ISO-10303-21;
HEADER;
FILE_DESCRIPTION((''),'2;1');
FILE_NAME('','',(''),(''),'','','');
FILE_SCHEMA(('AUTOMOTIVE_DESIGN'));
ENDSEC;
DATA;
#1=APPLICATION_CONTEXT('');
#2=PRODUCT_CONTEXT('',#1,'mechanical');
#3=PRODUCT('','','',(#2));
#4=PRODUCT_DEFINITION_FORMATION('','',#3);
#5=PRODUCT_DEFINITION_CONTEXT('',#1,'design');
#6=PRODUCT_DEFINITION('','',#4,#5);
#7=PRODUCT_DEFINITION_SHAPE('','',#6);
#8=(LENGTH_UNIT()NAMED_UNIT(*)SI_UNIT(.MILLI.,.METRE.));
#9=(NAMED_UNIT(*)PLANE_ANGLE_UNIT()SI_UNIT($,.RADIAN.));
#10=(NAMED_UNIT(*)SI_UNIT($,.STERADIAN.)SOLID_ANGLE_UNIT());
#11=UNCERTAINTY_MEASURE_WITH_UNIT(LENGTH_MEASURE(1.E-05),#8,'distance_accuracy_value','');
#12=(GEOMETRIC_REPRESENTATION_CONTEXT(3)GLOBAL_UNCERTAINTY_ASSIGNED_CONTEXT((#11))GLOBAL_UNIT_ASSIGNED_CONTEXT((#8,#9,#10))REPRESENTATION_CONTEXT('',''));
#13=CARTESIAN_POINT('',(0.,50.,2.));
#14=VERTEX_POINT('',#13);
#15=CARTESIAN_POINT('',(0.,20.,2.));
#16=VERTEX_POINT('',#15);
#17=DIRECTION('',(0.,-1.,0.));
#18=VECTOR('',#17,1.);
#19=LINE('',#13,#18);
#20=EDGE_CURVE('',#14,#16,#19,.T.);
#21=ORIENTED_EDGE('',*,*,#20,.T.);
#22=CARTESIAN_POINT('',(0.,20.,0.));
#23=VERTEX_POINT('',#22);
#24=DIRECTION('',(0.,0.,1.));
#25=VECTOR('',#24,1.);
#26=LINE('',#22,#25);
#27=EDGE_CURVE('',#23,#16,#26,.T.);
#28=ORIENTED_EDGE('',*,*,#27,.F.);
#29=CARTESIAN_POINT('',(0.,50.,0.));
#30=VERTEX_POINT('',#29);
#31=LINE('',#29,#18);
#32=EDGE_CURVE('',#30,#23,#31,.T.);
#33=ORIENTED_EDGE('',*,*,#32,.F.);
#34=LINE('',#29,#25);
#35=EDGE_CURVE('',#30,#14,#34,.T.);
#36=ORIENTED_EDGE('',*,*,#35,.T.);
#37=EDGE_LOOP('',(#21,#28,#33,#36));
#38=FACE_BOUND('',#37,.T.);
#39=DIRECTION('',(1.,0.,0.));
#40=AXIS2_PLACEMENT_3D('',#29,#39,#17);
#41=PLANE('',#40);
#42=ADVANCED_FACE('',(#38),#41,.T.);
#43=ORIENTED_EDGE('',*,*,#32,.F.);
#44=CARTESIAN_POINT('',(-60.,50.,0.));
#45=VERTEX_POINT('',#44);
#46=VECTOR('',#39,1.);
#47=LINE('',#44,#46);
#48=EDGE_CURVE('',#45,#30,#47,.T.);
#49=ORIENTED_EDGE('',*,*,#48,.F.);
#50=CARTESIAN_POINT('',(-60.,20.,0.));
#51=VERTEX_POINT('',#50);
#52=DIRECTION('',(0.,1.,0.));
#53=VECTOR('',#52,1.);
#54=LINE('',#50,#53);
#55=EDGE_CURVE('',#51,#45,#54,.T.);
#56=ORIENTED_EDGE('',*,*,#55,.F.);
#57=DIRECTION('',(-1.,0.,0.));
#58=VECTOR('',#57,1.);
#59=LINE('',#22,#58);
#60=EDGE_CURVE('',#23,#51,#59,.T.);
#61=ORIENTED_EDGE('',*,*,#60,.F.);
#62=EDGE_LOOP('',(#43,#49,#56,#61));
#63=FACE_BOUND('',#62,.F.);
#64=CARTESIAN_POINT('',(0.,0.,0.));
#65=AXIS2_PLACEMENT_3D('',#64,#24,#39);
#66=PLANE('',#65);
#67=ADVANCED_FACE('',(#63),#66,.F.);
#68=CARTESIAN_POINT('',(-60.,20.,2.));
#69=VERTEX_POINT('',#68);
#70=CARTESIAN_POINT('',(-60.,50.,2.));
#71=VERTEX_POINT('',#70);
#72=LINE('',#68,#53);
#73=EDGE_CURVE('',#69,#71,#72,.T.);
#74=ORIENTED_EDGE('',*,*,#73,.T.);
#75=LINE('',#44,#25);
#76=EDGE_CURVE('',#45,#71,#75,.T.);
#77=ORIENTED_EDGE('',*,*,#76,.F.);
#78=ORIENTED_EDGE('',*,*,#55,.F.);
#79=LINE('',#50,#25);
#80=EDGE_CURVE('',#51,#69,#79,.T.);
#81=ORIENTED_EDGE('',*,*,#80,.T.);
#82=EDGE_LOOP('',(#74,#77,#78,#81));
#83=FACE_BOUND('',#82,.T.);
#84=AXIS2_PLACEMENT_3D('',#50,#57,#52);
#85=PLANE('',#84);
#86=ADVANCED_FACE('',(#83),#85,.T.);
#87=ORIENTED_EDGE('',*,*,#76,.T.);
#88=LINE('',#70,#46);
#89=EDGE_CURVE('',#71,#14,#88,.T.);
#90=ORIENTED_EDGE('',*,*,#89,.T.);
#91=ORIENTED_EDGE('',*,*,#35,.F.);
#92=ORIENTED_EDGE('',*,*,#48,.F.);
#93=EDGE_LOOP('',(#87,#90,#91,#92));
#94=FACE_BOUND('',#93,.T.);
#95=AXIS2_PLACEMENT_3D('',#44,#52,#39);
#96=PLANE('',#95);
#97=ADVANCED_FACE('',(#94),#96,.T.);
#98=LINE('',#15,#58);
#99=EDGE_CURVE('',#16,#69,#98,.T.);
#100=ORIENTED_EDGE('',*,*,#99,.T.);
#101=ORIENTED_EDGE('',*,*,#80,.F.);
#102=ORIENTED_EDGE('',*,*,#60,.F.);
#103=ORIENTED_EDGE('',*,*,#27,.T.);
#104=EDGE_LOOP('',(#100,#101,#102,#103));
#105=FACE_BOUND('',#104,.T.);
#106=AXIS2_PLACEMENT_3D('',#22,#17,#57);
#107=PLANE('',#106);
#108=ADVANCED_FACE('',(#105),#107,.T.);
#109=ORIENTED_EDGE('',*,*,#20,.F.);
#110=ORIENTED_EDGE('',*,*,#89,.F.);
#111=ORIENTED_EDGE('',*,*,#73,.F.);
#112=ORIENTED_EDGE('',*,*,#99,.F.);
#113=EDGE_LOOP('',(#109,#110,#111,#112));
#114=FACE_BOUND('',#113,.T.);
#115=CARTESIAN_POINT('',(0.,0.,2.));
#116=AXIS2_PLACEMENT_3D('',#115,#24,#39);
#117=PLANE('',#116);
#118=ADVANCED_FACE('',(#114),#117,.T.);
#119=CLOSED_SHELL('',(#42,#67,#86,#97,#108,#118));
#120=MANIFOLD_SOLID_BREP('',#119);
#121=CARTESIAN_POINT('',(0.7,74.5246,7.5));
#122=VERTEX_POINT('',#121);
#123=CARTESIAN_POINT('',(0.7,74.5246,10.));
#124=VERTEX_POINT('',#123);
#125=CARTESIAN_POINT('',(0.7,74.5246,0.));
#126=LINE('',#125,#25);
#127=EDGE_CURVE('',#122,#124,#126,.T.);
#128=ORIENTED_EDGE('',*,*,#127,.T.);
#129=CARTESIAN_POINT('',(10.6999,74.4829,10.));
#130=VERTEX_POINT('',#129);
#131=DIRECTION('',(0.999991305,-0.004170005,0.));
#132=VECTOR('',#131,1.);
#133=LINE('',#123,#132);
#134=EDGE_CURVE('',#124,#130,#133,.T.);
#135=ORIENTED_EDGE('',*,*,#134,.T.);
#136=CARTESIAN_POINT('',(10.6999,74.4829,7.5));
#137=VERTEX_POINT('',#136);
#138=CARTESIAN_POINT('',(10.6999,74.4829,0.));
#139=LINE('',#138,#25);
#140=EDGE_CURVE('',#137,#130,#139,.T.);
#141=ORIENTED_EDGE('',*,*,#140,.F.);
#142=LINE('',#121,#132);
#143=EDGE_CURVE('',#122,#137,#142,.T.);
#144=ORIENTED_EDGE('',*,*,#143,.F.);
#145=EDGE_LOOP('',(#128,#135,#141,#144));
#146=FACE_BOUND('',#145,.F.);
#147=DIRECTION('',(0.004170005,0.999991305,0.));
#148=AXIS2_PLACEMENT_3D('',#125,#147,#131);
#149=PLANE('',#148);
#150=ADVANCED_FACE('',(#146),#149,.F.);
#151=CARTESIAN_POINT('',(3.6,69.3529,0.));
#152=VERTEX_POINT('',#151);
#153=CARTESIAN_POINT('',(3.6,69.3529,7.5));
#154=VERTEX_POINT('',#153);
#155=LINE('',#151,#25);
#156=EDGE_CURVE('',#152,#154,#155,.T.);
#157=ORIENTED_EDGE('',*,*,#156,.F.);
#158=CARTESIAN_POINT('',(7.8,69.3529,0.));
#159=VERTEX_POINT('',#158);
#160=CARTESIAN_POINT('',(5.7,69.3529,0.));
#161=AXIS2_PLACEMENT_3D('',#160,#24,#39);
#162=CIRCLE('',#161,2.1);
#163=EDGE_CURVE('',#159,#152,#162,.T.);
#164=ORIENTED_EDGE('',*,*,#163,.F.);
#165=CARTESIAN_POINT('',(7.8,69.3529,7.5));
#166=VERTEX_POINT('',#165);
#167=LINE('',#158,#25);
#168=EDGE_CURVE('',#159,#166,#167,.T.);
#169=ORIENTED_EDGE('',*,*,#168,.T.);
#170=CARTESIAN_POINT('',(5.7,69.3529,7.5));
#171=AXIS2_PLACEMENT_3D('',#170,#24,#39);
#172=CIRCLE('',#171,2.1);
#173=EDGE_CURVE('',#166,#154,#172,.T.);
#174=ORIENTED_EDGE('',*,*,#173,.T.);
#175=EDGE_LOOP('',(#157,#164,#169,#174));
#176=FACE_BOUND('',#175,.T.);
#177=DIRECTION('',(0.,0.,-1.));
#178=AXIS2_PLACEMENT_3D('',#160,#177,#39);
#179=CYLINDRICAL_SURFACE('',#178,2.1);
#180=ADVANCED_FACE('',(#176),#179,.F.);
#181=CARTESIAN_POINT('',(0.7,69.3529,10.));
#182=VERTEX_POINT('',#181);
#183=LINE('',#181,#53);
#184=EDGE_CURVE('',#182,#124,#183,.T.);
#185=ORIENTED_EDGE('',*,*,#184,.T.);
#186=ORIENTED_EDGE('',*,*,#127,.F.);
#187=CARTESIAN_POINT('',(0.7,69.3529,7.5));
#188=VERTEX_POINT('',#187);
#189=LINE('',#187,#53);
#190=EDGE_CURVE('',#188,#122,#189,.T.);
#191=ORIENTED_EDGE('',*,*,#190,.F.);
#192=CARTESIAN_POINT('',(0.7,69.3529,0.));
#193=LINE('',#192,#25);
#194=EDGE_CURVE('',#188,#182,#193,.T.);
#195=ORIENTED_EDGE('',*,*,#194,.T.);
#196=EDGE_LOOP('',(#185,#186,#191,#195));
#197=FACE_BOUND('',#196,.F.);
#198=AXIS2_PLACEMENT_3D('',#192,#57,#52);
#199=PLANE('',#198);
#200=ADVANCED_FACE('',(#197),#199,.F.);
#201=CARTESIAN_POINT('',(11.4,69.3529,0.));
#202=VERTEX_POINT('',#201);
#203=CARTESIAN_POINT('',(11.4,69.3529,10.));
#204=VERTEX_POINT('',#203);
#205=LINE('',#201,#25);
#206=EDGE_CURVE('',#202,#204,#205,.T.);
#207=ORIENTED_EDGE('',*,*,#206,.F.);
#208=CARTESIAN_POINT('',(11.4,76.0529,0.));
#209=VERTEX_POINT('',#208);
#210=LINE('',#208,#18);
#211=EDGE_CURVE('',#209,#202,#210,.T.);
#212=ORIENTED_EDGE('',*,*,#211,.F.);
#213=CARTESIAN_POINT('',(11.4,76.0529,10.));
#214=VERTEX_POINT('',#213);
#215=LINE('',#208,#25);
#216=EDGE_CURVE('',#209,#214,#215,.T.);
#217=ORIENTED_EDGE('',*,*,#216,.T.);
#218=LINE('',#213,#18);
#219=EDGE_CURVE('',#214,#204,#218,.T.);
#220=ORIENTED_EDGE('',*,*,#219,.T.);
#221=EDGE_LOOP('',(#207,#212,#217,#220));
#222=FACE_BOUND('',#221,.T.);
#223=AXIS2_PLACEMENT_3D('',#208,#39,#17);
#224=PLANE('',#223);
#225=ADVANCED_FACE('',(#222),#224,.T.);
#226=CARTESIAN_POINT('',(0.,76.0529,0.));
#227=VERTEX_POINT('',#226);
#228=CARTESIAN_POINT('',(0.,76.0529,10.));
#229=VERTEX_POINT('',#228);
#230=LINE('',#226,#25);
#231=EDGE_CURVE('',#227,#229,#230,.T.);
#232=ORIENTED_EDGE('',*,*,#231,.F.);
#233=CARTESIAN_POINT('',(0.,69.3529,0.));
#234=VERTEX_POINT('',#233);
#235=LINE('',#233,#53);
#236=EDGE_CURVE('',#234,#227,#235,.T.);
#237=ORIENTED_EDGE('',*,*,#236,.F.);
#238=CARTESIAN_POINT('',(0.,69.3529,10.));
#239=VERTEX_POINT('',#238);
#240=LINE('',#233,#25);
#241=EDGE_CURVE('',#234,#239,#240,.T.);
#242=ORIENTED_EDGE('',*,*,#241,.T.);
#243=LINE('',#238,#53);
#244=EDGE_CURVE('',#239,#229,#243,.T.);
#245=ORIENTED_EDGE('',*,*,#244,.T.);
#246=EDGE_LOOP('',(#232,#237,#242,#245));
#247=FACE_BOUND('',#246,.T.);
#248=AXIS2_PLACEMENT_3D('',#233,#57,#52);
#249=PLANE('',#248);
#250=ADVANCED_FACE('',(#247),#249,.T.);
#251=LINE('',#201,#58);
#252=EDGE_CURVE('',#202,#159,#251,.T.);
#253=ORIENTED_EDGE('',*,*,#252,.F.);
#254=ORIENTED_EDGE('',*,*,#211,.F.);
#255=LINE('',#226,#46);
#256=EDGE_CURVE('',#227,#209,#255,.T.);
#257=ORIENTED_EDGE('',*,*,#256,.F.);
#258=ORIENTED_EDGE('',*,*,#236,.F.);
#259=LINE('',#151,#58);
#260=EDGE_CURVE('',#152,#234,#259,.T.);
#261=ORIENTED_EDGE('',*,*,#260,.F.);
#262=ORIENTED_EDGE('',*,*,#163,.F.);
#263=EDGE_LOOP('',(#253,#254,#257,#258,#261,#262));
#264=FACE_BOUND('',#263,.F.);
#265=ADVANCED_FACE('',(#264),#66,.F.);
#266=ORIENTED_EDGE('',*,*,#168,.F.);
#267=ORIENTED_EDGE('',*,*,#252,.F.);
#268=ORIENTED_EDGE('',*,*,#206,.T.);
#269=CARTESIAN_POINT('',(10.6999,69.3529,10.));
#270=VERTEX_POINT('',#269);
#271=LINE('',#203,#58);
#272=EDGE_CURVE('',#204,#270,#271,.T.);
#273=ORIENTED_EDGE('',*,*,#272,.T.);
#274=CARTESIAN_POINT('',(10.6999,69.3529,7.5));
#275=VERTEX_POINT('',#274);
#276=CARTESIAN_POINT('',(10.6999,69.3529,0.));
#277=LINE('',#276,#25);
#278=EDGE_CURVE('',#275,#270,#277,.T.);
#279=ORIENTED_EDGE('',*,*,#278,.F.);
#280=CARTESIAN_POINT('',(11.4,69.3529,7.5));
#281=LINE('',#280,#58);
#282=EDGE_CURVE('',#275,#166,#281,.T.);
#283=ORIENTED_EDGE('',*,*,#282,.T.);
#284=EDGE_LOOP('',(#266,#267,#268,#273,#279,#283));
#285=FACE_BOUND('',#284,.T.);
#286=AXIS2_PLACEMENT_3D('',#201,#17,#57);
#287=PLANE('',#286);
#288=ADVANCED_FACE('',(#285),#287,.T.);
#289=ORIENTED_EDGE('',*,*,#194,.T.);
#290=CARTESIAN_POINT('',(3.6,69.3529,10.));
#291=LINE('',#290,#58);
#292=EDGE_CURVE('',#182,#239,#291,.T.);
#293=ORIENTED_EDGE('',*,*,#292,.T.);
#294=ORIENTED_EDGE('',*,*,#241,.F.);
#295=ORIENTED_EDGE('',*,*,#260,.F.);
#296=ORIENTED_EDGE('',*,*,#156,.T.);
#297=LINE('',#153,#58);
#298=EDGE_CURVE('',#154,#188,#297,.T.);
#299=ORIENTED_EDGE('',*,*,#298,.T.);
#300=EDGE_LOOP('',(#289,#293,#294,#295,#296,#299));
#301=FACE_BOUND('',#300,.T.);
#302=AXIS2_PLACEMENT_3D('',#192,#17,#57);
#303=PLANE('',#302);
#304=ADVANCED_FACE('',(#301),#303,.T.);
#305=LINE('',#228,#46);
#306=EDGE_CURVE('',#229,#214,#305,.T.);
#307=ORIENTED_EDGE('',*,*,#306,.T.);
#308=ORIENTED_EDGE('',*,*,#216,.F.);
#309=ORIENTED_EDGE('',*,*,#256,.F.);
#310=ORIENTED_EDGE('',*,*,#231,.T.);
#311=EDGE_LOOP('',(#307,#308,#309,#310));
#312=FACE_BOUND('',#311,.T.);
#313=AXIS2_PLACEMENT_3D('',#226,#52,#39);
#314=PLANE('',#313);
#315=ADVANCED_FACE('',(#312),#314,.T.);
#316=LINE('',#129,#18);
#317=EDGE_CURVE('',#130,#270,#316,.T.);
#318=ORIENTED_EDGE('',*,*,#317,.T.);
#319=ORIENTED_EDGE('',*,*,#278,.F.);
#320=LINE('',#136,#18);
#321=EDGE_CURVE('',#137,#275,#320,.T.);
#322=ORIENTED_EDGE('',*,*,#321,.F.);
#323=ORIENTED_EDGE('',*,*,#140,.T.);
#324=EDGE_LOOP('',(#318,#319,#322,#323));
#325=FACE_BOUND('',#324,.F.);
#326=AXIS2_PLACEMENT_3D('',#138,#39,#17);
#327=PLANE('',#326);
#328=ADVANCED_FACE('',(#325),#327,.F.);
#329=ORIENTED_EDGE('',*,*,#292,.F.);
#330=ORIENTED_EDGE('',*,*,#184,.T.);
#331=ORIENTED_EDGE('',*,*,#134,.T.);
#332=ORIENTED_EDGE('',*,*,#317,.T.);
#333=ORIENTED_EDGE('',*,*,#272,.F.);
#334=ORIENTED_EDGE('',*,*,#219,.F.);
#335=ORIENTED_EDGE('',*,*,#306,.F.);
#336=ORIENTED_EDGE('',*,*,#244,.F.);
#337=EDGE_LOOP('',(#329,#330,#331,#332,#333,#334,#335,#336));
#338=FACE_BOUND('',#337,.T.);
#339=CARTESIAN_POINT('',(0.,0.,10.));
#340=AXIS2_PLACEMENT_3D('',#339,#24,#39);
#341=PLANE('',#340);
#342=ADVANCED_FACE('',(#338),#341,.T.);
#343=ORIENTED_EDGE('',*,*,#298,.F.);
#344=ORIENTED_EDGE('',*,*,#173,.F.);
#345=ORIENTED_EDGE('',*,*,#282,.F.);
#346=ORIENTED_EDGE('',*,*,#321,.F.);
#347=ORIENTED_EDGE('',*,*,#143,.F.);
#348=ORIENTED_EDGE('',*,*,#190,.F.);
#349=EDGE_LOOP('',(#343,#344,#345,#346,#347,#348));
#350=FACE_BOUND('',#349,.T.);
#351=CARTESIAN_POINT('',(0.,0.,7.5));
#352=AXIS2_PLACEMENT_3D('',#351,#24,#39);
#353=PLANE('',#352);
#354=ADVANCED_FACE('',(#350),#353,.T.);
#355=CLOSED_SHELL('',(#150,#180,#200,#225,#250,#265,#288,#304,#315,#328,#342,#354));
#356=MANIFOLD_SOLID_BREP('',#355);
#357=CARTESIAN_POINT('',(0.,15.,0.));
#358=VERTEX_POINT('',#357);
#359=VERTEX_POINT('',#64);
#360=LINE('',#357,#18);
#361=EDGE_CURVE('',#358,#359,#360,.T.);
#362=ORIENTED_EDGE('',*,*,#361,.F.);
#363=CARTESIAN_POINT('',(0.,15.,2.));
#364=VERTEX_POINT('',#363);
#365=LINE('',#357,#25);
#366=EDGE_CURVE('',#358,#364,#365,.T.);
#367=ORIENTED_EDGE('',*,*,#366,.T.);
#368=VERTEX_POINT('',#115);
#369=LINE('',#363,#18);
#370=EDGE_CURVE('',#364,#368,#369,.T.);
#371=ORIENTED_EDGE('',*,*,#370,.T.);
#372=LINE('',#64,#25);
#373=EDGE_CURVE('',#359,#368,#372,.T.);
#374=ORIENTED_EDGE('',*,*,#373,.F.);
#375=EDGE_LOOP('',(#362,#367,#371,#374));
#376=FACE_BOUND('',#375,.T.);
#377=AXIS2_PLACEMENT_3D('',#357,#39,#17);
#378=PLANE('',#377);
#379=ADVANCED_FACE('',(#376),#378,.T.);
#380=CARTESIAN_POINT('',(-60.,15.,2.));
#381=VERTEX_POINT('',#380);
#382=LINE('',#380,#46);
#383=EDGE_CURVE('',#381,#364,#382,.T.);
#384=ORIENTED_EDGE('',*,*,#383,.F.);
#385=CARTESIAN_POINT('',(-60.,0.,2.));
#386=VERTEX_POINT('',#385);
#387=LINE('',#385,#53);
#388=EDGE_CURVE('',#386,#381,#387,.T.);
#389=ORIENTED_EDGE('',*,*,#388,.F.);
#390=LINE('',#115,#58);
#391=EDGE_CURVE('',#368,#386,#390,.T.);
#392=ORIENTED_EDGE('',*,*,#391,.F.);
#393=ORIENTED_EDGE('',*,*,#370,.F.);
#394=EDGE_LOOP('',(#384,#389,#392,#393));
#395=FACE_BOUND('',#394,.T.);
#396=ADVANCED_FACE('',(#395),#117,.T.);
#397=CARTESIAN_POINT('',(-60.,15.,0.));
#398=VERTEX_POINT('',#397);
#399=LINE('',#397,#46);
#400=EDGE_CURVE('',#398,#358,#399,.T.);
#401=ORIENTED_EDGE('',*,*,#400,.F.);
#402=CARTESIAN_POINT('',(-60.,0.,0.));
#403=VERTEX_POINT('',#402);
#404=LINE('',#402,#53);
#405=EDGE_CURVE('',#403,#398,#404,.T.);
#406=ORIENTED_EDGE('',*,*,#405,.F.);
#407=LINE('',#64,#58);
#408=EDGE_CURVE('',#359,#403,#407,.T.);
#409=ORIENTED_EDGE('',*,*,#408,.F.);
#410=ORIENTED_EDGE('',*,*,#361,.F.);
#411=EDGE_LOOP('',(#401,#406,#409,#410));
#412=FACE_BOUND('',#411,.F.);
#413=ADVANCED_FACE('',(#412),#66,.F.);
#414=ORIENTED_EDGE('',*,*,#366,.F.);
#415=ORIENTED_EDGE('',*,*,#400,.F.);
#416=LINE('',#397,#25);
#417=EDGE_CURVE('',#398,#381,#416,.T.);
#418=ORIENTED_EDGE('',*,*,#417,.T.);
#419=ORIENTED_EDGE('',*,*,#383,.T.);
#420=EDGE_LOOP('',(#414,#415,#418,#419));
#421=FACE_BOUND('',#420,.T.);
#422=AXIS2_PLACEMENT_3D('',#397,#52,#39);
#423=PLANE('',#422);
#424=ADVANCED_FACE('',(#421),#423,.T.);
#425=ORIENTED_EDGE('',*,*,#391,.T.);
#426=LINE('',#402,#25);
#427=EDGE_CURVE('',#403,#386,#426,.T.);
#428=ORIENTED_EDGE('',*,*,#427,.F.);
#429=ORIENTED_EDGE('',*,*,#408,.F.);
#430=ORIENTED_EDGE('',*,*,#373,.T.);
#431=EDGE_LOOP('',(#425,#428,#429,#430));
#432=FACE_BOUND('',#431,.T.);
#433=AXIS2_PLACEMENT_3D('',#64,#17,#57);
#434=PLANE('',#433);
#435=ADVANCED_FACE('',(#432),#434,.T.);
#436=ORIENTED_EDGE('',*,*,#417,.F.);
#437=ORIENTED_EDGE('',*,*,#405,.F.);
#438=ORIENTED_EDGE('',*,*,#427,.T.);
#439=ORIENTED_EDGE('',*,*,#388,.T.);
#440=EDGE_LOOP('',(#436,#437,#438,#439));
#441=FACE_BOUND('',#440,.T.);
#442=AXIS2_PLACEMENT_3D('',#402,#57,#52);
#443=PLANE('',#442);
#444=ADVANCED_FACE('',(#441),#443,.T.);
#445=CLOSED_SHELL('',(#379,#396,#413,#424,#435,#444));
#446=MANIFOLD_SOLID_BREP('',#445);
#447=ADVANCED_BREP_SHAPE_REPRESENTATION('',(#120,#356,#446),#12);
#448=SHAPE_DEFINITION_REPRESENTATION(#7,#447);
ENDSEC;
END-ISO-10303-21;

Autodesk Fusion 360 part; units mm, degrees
sketch "Sketch1" plane through (0, 0, 0) normal (0, 0, 1) x (1, 0, 0)
  line L0 (0, 0) -> (-60, 0)
  line L1 (-60, 0) -> (-60, 15)
  line L2 (-60, 15) -> (0, 15)
  line L3 (0, 15) -> (0, 0)
  line L4 (-60, 50) -> (0, 50)
  line L5 (0, 50) -> (0, 20)
  line L6 (0, 20) -> (-60, 20)
  line L7 (-60, 20) -> (-60, 50)
  dimension "d1" = 60
  dimension "d2" = 15
  dimension "d3" = 60
  dimension "d4" = 30
extrude "Extrude1" add sketch "Sketch1" along normal blind 2 makes body 1 at (-40, 30, 0) makes body 2 at (-20, 5, 0)
sketch "Sketch2" plane through (0, 0, 0) normal (0, 0, 1) x (1, 0, 0)
  line L0 (0, 76.0529) -> (11.4, 76.0529)
  line L1 (11.4, 76.0529) -> (11.4, 69.3529)
  line L2 (0, 69.3529) -> (0, 76.0529)
  line L3 (0, 62.6529) -> (0, 63.2769)
  line L4 (0, 62.6529) -> (11.4, 76.0529) construction
  line L5 (0, 76.0529) -> (11.4, 62.6529) construction
  line L6 (0.7, 69.3529) -> (0.7, 74.5246)
  line L7 (0.7, 74.5246) -> (10.6999, 74.4829)
  line L8 (10.6999, 74.4829) -> (10.6999, 69.3529)
  line L9 (10.7527, 64.2056) -> (0.7, 74.5246) construction
  line L10 (0.6714, 64.2531) -> (10.6999, 74.4829) construction
  arc A0 (4.2151, 67.8679) -> (4.3392, 67.7534) centre (5.7, 69.3529) ccw
  arc A1 (7.0608, 67.7534) -> (7.1849, 67.8679) centre (5.7, 69.3529) ccw
  arc A2 (7.8, 69.3529) -> (3.6, 69.3529) centre (5.7, 69.3529) ccw
  line L11 (11.4, 69.3529) -> (7.8, 69.3529)
  line L12 (3.6, 69.3529) -> (0, 69.3529)
  dimension "d7" = 11.4
  dimension "d8" = 13.4
  dimension "d9" = 10
  dimension "d11" = 4.2
  dimension "d20" = 0.7
extrude "Extrude4" add sketch "Sketch2" along normal blind 10 separate body contours L0 L1 L2 L6 L7 L8 L11 L12 makes body 3
extrude "Extrude5" add sketch "Sketch2" along normal blind 7.5 contours L6 L7 L8 A2 L11 L12 bodies 3
